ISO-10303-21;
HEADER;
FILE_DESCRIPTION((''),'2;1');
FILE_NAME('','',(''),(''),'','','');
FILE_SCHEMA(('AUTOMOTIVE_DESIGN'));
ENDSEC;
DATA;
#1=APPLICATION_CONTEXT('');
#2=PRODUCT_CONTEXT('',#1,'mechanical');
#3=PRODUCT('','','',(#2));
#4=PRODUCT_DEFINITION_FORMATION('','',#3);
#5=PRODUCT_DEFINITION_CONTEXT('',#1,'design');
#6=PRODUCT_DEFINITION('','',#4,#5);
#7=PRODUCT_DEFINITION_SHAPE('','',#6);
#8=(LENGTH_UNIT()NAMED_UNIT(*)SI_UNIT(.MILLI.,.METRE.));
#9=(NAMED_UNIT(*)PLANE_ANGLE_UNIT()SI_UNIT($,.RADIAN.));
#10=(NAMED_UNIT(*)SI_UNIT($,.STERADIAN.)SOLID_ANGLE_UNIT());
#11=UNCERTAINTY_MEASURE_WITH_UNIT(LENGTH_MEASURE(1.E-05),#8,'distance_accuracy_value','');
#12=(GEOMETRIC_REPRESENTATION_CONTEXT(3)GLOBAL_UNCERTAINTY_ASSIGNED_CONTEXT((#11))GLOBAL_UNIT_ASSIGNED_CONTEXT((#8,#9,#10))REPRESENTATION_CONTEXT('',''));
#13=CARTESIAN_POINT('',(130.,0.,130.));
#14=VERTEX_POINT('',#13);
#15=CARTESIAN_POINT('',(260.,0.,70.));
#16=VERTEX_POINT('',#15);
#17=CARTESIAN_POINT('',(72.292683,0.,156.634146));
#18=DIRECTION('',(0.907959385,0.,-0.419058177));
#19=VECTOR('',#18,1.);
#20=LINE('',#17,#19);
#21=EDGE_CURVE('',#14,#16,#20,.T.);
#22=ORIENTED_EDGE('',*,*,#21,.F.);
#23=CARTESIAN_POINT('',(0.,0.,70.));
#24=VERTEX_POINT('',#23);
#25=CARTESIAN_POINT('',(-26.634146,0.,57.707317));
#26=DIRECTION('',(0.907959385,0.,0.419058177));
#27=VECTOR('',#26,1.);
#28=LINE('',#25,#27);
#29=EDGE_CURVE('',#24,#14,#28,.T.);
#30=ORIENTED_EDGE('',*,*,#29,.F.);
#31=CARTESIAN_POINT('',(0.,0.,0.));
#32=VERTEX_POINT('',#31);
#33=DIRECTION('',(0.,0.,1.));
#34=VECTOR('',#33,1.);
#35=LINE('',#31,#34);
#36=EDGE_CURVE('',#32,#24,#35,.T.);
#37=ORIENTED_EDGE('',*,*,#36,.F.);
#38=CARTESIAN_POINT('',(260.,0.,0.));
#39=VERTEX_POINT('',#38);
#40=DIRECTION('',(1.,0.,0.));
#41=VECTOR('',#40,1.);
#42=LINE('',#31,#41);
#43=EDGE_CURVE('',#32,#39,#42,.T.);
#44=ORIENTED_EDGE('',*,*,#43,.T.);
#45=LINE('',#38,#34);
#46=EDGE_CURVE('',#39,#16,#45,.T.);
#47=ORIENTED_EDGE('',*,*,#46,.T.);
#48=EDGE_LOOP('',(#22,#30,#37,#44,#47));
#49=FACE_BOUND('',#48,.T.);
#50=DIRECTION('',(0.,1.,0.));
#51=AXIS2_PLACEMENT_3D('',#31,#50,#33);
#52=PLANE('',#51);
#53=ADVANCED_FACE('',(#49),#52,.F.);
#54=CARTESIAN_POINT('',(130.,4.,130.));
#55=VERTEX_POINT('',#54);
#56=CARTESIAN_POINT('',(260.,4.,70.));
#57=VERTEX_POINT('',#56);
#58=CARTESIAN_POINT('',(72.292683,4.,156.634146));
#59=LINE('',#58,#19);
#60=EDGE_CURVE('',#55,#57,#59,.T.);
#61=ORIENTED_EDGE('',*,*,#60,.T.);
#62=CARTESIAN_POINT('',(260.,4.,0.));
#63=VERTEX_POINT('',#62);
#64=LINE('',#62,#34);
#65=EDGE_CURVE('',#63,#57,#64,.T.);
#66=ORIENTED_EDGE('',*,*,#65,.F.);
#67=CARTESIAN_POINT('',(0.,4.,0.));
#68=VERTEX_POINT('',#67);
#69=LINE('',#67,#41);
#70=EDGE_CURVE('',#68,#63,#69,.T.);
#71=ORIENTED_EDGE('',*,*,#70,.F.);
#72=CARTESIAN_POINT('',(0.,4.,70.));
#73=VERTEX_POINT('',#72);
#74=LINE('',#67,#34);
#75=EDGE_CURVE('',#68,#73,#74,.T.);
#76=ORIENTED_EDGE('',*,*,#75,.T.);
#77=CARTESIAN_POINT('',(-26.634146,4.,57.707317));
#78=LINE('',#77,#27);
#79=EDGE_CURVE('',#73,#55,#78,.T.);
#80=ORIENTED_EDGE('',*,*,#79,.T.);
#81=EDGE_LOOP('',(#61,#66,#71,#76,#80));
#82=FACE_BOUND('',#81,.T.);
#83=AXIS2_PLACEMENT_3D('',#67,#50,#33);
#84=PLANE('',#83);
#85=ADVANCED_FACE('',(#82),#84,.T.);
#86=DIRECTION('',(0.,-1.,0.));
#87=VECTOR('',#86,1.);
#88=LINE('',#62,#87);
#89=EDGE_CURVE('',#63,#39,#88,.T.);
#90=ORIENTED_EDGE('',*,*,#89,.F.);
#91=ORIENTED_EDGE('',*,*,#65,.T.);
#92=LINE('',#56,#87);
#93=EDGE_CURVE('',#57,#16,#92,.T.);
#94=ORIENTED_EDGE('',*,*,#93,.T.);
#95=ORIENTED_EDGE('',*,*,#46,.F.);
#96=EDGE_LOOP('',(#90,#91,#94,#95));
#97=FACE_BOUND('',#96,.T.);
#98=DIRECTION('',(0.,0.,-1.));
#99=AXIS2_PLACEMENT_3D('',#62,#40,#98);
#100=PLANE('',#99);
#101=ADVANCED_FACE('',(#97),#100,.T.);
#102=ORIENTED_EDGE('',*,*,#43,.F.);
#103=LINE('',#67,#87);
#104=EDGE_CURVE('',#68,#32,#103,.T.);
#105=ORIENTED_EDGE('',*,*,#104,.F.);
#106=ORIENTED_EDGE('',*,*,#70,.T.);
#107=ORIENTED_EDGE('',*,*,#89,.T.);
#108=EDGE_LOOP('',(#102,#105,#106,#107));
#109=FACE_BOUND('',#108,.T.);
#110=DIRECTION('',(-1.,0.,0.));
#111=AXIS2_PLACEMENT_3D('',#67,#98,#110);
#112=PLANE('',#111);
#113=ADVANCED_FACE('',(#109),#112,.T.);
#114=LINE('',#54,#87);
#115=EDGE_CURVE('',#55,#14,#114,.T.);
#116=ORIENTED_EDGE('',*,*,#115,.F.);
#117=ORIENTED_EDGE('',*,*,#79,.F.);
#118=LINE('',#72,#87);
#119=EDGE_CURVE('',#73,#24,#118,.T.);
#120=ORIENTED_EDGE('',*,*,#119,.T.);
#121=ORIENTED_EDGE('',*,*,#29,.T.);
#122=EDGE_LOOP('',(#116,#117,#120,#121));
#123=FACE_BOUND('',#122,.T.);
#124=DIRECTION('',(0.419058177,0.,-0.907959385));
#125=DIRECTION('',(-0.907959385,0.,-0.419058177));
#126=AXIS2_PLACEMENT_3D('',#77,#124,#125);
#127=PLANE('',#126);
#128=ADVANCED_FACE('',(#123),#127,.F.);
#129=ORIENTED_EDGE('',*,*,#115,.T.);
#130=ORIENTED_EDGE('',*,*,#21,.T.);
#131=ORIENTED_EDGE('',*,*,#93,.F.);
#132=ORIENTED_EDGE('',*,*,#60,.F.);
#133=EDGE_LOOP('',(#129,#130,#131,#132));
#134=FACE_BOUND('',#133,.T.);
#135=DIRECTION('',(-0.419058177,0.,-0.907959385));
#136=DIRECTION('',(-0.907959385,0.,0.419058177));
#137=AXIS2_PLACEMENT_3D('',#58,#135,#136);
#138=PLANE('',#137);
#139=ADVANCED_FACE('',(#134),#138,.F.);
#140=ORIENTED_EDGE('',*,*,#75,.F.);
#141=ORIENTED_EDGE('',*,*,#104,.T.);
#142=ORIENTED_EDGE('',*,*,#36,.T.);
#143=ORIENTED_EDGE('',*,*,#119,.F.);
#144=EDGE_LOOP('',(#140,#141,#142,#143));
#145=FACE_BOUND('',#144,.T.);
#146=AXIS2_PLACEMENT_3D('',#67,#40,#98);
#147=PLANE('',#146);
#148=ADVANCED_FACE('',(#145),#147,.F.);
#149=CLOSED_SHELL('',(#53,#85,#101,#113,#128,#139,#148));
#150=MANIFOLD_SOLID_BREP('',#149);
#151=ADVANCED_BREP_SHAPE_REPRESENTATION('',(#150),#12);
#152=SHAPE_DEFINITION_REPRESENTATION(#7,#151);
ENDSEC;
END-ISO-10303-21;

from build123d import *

# Parameters (mm, degrees)
SKETCH1_W           = 260
SKETCH1_H           = 70
BOSS_EXTRUDE1_DEPTH = 4


with BuildPart() as part:
    # Sketch1 → Boss-Extrude1 (new body)
    with BuildSketch(Plane(origin=(0, 0, 0), x_dir=(1, 0, 0), z_dir=(0, 1, 0))):
        Polygon((130, -70), (0, -70), (130, -130), align=None)
        with Locations((130, -35)):
            Rectangle(SKETCH1_W, SKETCH1_H)
        Polygon((130, -70), (130, -130), (260, -70), align=None)
    extrude(amount=BOSS_EXTRUDE1_DEPTH)


solid = part.part
